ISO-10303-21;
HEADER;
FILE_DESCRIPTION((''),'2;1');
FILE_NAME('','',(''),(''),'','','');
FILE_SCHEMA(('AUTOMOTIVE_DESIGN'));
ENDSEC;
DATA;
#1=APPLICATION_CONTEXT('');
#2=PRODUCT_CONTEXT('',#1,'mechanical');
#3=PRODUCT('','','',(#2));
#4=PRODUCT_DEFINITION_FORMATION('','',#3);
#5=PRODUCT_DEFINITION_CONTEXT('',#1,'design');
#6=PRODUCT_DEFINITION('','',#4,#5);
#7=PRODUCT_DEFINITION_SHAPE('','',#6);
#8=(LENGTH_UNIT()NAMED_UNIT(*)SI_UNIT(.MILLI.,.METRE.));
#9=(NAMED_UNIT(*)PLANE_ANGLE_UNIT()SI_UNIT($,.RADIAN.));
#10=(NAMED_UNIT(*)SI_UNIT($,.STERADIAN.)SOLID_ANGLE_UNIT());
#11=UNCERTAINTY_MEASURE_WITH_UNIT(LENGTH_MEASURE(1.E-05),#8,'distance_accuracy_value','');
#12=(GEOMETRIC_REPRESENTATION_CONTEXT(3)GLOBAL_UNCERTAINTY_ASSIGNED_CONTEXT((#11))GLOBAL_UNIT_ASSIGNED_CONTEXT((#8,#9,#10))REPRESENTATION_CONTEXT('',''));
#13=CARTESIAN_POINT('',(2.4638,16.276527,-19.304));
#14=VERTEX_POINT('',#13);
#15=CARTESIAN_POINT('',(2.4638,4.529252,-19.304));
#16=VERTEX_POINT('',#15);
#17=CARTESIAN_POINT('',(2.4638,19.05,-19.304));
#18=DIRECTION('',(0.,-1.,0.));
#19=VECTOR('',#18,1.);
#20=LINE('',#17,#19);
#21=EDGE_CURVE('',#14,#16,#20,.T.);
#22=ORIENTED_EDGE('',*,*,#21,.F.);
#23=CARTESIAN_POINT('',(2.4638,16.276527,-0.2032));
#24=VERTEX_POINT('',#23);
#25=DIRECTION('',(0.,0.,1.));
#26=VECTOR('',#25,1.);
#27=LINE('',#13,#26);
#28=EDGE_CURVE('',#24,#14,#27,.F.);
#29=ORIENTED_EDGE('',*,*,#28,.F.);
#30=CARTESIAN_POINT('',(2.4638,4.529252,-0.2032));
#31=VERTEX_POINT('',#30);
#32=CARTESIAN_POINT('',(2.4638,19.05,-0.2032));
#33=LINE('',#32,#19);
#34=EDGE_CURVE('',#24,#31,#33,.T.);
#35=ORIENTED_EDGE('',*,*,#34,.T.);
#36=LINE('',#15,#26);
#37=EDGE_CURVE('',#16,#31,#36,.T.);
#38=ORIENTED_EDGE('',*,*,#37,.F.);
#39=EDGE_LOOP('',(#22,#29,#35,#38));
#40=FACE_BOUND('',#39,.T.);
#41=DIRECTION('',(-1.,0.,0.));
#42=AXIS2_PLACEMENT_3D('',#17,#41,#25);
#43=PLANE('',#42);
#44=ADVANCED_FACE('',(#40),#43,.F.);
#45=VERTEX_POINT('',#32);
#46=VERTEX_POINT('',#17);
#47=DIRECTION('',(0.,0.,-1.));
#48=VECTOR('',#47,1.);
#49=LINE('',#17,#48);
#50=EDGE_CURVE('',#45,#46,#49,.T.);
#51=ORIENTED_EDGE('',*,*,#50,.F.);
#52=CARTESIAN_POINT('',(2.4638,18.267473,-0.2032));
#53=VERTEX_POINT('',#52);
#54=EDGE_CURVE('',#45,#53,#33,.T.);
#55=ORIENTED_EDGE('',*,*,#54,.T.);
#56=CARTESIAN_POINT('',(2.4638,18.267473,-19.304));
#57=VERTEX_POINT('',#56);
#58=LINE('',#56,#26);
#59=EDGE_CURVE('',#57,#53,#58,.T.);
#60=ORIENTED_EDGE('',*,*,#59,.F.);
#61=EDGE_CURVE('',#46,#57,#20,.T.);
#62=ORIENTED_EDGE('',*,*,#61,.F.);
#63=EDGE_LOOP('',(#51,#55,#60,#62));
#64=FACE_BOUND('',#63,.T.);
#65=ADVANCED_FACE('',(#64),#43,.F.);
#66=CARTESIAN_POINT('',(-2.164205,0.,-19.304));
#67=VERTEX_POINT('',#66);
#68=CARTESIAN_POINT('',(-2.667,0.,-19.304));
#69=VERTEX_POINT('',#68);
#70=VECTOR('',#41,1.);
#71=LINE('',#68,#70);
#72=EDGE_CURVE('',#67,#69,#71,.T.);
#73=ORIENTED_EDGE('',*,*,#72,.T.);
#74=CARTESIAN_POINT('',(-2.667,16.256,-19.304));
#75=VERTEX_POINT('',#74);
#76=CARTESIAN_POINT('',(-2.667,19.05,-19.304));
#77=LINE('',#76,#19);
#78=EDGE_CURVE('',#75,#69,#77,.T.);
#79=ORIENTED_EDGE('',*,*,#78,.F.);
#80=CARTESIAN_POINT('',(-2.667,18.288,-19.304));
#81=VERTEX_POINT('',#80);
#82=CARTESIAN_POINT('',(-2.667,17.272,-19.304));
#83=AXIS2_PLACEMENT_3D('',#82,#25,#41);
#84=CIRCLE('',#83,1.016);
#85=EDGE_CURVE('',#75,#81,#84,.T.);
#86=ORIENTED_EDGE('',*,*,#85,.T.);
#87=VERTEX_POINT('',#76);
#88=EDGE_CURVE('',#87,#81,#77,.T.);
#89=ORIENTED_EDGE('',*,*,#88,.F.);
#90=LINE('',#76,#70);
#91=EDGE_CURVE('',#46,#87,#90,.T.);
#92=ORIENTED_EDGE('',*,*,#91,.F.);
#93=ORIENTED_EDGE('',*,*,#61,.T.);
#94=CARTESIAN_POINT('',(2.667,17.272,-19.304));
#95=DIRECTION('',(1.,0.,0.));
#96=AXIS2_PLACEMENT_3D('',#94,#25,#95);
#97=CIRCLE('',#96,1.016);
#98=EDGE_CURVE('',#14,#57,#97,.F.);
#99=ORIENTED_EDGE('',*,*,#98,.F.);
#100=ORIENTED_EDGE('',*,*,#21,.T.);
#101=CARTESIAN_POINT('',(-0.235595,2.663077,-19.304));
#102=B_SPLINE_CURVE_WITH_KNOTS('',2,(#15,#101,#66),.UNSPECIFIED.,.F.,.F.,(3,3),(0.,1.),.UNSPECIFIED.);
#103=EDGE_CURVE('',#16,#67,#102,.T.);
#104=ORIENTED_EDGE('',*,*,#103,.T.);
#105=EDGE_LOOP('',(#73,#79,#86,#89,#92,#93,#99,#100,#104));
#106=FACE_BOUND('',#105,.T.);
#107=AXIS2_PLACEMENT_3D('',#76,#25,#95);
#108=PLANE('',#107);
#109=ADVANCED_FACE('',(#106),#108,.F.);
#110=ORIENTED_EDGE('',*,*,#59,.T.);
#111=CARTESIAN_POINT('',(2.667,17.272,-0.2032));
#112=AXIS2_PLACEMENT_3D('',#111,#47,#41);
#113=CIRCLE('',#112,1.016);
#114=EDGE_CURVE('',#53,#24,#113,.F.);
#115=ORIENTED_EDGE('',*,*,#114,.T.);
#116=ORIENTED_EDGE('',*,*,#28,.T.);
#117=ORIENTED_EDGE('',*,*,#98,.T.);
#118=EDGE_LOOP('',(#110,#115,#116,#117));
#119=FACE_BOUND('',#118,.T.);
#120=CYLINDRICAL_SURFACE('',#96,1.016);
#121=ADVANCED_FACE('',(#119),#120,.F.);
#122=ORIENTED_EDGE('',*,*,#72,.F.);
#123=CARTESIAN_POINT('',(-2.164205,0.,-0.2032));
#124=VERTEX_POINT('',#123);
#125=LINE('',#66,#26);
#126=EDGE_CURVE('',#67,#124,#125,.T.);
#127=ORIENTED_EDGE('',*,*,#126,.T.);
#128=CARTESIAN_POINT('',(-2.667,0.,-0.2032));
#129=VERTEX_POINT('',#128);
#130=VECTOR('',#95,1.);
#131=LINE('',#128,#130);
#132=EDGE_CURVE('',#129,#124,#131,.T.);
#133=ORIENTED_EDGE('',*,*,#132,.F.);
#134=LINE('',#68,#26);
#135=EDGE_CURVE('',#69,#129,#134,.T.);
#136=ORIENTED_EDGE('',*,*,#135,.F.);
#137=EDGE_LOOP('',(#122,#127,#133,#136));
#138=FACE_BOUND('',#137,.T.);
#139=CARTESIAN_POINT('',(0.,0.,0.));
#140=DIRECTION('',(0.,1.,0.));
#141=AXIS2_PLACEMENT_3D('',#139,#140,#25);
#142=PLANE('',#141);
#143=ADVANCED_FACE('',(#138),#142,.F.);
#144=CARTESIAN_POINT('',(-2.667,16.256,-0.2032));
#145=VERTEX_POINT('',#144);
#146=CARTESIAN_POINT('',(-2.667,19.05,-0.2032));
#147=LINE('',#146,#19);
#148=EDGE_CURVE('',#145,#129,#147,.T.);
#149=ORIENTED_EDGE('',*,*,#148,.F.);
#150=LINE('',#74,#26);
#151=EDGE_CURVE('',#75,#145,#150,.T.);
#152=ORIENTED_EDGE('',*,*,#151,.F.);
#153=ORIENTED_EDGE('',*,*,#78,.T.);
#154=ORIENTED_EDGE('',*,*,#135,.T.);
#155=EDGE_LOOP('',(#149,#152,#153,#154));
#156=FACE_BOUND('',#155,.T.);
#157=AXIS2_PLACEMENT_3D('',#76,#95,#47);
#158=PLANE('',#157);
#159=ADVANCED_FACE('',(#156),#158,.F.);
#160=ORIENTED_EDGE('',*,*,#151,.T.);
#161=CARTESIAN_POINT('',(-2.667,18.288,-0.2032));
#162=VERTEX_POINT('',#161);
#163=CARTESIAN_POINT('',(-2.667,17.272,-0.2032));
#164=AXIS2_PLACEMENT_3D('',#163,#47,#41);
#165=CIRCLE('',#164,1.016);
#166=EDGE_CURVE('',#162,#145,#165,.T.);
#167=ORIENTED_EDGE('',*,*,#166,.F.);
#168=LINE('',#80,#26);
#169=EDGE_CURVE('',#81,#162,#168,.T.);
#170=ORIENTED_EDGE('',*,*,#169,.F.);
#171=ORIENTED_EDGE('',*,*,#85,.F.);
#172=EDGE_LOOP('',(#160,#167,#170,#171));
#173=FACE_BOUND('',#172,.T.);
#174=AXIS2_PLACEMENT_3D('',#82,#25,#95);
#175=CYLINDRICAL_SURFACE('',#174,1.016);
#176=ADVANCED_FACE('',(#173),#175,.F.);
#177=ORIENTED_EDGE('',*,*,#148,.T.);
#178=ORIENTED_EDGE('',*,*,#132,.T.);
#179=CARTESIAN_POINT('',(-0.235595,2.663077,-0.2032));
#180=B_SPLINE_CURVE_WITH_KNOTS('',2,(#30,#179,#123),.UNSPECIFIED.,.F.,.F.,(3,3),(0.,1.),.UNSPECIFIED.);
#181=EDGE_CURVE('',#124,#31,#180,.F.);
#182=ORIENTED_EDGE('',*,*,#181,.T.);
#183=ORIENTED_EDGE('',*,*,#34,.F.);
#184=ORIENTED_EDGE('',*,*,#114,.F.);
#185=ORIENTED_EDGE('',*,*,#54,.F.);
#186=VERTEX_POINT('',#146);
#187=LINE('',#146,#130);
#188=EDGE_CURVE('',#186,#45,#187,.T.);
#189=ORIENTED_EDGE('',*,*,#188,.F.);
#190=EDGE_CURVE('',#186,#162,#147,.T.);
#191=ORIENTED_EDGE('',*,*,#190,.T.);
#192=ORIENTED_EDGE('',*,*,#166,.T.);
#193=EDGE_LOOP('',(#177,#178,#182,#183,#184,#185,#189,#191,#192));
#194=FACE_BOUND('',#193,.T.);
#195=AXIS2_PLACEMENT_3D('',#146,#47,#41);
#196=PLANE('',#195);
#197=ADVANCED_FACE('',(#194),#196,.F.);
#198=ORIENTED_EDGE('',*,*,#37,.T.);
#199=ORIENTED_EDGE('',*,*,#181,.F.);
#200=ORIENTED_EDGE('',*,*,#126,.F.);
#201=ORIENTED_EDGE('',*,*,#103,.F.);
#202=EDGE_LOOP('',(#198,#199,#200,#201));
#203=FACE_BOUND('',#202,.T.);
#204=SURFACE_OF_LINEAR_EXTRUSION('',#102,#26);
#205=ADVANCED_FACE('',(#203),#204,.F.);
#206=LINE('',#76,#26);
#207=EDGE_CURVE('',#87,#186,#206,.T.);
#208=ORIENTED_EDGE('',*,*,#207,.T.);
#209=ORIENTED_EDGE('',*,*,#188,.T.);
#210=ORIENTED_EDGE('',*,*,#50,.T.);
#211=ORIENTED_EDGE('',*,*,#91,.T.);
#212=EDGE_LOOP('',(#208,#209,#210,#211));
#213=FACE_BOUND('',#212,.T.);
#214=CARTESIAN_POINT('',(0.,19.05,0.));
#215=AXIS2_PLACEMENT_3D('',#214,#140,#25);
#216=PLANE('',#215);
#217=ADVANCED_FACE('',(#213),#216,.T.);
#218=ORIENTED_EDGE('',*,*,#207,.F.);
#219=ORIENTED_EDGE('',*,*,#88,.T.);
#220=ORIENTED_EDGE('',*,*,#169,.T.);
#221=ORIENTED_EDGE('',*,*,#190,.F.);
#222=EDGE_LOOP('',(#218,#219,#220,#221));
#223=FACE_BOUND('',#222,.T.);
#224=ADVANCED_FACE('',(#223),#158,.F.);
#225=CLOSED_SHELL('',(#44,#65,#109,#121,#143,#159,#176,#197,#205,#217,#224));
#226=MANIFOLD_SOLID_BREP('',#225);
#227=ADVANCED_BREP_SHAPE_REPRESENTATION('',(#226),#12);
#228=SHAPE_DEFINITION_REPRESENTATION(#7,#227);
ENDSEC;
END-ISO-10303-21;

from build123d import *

# Parameters (mm, degrees)
ESQUISSE1_W             = 5.1308
ESQUISSE1_H             = 19.1008
BOSS_EXTRU_1_DEPTH      = 19.05
ENL_V_MAT_EXTRU_1_DEPTH = 20.304
ENL_V_MAT_EXTRU_2_DEPTH = 20.3040001


with BuildPart() as part:
    # Esquisse1 → Boss.-Extru.1 (new body)
    with BuildSketch(Plane(origin=(0, 0, 0), x_dir=(1, 0, 0), z_dir=(0, 1, 0))):
        with Locations((-0.1016, 9.7536)):
            Rectangle(ESQUISSE1_W, ESQUISSE1_H)
    extrude(amount=BOSS_EXTRU_1_DEPTH)

    # Esquisse2 → Enlèv. mat.-Extru.1 (cut, through all)
    with BuildSketch(Plane.XY):
        with BuildLine():
            Line((2.4638, 4.529252061), (2.4638, 0))
            Line((2.4638, 0), (-2.164205313, 0))
            add(Edge.make_bspline(
                [(-2.164205313, 0), (-0.235595225, 2.663077002), (2.4638, 4.529252061)],
                knots=[0, 0, 0, 1, 1, 1], degree=2))
        make_face()
    extrude(amount=-ENL_V_MAT_EXTRU_1_DEPTH, mode=Mode.SUBTRACT)

    # Esquisse3 → Enlèv. mat.-Extru.2 (cut, through all)
    with BuildSketch(Plane.XY):
        with BuildLine():
            Line((-2.667, 18.288), (-2.667, 16.256))
            ThreePointArc((-2.667, 16.256), (-1.651, 17.272), (-2.667, 18.288))
        make_face()
    enl_v_mat_extru_2 = extrude(amount=-ENL_V_MAT_EXTRU_2_DEPTH, mode=Mode.SUBTRACT)

    # Symétrie1: Enlèv. mat.-Extru.2 across plane
    add(enl_v_mat_extru_2.mirror(Plane(origin=(0, 0, 0), x_dir=(0, 0, 1), z_dir=(1, 0, 0))), mode=Mode.SUBTRACT)


solid = part.part
